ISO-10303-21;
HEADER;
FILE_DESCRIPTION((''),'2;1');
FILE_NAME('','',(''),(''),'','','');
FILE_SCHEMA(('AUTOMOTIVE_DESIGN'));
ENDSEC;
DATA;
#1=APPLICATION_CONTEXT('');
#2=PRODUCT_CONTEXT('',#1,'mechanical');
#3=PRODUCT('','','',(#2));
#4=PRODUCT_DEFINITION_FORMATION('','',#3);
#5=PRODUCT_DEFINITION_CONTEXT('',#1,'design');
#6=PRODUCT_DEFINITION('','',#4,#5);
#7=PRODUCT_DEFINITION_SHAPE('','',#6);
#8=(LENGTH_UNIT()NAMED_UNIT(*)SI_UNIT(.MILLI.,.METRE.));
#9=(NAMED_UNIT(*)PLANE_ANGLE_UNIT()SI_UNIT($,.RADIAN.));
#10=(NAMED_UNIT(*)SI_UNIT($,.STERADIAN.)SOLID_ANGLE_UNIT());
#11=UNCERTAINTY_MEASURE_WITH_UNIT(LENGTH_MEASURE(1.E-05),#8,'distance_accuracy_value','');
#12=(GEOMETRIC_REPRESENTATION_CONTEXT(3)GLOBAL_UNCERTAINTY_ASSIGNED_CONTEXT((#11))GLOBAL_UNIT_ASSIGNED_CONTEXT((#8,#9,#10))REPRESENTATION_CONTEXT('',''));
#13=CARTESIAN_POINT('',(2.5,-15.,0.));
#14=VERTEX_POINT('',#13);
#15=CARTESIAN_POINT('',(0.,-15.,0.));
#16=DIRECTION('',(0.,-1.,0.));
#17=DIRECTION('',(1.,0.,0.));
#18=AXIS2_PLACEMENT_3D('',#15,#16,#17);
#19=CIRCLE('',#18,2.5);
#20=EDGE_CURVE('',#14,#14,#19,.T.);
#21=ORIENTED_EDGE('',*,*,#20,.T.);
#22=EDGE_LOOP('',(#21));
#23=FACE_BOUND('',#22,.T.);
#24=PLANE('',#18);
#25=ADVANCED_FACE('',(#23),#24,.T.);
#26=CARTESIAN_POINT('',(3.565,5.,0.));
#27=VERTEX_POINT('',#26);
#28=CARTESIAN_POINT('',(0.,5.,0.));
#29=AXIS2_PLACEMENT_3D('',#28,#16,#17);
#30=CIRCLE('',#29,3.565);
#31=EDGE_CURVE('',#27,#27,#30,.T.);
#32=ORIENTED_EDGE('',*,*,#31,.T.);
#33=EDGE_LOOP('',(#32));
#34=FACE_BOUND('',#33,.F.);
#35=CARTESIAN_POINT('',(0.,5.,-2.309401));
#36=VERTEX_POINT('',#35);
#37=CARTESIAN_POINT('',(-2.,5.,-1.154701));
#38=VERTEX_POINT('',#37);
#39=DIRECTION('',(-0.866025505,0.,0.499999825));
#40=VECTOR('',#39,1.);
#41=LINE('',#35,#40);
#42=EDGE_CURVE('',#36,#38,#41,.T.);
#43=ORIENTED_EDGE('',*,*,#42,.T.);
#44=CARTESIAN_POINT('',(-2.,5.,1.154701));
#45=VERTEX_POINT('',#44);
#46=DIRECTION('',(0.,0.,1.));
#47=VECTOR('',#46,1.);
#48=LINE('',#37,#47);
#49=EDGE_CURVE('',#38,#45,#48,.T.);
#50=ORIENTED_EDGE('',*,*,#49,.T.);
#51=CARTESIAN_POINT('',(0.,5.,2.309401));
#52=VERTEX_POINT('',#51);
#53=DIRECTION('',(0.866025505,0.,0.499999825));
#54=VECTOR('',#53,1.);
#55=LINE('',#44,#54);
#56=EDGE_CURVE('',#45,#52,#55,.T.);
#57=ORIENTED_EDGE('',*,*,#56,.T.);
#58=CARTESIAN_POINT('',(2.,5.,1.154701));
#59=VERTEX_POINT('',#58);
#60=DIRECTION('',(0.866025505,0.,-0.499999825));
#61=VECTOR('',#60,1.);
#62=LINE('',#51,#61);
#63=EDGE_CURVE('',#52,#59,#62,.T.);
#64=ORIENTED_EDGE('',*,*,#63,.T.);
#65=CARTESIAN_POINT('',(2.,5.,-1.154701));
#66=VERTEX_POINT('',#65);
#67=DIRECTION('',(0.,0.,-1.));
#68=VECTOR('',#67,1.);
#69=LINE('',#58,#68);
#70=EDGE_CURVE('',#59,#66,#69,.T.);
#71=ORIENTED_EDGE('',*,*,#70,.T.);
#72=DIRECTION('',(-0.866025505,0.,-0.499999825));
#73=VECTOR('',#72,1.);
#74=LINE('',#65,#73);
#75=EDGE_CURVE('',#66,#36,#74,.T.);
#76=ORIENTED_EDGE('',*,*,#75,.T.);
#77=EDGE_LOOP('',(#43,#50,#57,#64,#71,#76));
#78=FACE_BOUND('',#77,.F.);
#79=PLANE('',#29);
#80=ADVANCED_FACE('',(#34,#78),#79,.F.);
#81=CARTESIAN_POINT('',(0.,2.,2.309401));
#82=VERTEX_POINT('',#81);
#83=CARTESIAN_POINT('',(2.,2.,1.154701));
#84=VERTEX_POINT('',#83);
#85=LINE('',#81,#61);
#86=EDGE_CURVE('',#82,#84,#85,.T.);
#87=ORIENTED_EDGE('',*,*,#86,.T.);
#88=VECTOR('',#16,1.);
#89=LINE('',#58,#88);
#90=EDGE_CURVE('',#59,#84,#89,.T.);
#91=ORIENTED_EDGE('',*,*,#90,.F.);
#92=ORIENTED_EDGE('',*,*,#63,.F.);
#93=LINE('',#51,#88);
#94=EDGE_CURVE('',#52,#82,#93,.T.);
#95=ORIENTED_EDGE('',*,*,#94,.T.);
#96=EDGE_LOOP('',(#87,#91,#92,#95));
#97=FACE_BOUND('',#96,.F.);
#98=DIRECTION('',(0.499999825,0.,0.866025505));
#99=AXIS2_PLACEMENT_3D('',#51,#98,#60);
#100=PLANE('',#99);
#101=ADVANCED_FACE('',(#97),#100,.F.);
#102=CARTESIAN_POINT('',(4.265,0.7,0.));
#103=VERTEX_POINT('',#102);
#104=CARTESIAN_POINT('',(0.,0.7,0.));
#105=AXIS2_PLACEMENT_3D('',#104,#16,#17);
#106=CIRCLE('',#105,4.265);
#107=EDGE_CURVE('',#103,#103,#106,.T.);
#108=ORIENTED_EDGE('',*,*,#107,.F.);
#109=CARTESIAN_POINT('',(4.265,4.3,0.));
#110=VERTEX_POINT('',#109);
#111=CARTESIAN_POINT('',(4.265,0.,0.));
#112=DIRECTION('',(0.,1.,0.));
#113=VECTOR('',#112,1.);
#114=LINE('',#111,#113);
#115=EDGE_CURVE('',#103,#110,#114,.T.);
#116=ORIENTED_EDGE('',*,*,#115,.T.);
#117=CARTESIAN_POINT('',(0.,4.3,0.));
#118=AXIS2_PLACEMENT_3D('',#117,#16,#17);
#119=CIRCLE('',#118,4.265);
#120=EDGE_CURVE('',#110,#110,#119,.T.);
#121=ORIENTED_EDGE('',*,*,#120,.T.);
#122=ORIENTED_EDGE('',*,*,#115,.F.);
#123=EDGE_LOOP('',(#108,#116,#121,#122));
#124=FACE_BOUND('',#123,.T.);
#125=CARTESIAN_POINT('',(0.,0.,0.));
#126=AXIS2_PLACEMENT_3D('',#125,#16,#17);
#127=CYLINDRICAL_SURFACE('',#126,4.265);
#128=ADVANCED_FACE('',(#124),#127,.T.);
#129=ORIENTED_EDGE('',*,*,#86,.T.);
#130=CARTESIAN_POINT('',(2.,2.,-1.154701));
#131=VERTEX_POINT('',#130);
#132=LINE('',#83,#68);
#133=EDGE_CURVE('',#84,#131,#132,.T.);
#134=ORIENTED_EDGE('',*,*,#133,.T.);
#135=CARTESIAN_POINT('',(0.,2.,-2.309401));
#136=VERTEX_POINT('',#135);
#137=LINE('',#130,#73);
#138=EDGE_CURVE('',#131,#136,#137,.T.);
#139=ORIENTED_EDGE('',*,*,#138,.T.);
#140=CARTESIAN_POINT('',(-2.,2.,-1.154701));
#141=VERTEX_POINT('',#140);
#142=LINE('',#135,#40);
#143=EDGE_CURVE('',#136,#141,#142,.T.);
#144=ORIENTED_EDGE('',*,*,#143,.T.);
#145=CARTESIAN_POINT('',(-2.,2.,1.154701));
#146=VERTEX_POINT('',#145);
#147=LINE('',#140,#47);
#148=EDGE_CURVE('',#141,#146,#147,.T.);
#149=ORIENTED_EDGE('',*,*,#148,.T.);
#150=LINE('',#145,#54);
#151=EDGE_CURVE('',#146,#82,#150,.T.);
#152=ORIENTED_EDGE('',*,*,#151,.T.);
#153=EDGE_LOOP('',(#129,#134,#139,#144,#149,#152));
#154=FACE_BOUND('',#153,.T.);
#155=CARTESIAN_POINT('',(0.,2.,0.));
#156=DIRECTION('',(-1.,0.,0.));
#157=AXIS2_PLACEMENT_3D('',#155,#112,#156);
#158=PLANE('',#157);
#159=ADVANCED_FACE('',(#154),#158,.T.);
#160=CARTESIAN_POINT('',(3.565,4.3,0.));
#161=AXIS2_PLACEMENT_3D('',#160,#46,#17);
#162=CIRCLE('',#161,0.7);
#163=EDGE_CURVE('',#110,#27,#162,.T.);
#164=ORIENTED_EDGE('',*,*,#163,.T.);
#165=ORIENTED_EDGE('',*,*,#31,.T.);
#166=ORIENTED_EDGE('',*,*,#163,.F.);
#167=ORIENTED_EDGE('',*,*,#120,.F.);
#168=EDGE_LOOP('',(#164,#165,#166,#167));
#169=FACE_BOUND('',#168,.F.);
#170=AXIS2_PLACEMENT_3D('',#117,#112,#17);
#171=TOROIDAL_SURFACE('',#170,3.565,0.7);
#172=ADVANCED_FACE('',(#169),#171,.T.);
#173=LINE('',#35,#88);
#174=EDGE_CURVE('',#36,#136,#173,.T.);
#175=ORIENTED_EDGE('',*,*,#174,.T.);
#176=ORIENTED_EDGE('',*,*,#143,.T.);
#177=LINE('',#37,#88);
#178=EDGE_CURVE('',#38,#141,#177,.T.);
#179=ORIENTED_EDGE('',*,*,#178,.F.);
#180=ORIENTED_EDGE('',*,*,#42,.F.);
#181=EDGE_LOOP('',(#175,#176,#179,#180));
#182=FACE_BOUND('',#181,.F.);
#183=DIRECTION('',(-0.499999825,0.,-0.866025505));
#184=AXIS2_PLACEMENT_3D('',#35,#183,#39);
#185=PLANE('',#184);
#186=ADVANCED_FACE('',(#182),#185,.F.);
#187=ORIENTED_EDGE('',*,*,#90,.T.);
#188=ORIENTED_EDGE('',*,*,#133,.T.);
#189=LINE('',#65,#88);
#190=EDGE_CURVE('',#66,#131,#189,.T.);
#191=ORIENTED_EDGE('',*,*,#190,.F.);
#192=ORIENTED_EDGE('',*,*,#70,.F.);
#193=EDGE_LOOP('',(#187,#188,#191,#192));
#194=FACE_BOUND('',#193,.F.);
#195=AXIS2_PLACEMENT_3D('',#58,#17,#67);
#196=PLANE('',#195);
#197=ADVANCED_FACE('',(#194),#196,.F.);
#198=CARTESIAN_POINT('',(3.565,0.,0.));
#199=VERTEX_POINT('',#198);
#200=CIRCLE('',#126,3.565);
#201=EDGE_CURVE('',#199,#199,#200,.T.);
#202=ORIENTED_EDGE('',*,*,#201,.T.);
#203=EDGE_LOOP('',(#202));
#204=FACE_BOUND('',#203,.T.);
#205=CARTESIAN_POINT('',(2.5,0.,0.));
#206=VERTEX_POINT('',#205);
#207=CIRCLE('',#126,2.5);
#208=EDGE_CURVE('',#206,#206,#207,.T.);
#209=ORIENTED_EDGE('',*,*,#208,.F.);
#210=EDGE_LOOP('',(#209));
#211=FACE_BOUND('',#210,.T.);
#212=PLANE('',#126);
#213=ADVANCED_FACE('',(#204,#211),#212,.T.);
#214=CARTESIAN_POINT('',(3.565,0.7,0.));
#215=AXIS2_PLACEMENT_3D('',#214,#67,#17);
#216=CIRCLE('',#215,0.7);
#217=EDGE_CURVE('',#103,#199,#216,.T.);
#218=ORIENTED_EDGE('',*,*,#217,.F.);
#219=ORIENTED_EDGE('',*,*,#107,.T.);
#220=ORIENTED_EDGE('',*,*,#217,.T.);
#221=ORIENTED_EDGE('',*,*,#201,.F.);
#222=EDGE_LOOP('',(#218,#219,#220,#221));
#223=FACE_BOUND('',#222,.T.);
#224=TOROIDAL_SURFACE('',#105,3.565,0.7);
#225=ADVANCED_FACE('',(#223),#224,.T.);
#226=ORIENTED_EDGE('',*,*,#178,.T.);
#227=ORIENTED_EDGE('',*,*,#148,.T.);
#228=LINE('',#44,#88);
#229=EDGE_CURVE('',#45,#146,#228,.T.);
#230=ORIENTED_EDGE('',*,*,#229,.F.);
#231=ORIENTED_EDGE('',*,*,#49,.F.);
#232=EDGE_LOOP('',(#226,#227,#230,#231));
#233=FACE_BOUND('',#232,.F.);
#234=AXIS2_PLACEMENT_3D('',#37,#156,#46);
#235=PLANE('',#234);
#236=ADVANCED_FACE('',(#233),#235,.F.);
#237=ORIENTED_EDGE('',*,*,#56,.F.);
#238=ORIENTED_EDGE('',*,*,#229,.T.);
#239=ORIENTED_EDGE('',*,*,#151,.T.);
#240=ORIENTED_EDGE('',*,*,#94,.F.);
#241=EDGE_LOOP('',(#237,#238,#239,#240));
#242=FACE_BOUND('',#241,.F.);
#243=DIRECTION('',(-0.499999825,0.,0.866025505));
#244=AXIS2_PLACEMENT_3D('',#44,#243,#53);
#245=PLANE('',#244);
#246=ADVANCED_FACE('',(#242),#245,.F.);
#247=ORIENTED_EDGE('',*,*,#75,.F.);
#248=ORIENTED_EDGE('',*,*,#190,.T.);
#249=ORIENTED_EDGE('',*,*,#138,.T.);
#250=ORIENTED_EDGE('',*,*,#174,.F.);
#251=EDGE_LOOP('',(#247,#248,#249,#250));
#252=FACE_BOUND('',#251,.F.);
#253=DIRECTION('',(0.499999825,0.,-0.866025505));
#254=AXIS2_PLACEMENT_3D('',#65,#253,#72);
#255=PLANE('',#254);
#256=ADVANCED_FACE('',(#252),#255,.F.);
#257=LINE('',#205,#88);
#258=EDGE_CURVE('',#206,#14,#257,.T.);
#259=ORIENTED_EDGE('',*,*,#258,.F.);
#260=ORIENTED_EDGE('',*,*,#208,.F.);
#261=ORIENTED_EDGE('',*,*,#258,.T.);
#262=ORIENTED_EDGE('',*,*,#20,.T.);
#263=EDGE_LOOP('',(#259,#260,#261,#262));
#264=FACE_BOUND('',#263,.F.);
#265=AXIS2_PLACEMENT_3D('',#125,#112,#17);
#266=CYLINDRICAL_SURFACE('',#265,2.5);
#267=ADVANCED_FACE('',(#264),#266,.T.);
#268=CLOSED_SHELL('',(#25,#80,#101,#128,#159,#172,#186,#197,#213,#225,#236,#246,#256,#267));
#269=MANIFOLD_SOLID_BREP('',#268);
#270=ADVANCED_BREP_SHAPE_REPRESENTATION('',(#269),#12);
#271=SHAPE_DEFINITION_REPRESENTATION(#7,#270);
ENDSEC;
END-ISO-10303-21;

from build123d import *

# Parameters (mm, degrees)
F0_R     = 2.5
F1_DEPTH = 15
F0_R_2   = 4.265
F2_DEPTH = 5
F4_DEPTH = 3
F5_R     = 0.7


with BuildPart() as f1:
    # F0 (on Front) → F1 (new body)
    with BuildSketch(Plane.XZ):
        Circle(F0_R)
    extrude(amount=F1_DEPTH)

    # F0 (on Front) → F2 (join)
    with BuildSketch(Plane.XZ):
        Circle(F0_R_2)
        Circle(F0_R, mode=Mode.SUBTRACT)
        Circle(F0_R)
    extrude(amount=-F2_DEPTH)

    # F3 (on face) → F4 (cut)
    with BuildSketch(Plane(origin=(0, 5, 0), x_dir=(-1, 0, 0), z_dir=(0, 1, 0))):
        Polygon((2, 1.154701), (0, 2.309401), (-2, 1.154701), (-2, -1.154701), (0, -2.309401), (2, -1.154701), align=None)
    extrude(amount=-F4_DEPTH, mode=Mode.SUBTRACT)

    # F5
    f5_edges = [f1.edges().sort_by_distance(p)[0] for p in [
        (-4.265, 5, 0),
        (-4.265, 0, 0),
    ]]
    fillet(f5_edges, radius=F5_R)


solid = f1.part
